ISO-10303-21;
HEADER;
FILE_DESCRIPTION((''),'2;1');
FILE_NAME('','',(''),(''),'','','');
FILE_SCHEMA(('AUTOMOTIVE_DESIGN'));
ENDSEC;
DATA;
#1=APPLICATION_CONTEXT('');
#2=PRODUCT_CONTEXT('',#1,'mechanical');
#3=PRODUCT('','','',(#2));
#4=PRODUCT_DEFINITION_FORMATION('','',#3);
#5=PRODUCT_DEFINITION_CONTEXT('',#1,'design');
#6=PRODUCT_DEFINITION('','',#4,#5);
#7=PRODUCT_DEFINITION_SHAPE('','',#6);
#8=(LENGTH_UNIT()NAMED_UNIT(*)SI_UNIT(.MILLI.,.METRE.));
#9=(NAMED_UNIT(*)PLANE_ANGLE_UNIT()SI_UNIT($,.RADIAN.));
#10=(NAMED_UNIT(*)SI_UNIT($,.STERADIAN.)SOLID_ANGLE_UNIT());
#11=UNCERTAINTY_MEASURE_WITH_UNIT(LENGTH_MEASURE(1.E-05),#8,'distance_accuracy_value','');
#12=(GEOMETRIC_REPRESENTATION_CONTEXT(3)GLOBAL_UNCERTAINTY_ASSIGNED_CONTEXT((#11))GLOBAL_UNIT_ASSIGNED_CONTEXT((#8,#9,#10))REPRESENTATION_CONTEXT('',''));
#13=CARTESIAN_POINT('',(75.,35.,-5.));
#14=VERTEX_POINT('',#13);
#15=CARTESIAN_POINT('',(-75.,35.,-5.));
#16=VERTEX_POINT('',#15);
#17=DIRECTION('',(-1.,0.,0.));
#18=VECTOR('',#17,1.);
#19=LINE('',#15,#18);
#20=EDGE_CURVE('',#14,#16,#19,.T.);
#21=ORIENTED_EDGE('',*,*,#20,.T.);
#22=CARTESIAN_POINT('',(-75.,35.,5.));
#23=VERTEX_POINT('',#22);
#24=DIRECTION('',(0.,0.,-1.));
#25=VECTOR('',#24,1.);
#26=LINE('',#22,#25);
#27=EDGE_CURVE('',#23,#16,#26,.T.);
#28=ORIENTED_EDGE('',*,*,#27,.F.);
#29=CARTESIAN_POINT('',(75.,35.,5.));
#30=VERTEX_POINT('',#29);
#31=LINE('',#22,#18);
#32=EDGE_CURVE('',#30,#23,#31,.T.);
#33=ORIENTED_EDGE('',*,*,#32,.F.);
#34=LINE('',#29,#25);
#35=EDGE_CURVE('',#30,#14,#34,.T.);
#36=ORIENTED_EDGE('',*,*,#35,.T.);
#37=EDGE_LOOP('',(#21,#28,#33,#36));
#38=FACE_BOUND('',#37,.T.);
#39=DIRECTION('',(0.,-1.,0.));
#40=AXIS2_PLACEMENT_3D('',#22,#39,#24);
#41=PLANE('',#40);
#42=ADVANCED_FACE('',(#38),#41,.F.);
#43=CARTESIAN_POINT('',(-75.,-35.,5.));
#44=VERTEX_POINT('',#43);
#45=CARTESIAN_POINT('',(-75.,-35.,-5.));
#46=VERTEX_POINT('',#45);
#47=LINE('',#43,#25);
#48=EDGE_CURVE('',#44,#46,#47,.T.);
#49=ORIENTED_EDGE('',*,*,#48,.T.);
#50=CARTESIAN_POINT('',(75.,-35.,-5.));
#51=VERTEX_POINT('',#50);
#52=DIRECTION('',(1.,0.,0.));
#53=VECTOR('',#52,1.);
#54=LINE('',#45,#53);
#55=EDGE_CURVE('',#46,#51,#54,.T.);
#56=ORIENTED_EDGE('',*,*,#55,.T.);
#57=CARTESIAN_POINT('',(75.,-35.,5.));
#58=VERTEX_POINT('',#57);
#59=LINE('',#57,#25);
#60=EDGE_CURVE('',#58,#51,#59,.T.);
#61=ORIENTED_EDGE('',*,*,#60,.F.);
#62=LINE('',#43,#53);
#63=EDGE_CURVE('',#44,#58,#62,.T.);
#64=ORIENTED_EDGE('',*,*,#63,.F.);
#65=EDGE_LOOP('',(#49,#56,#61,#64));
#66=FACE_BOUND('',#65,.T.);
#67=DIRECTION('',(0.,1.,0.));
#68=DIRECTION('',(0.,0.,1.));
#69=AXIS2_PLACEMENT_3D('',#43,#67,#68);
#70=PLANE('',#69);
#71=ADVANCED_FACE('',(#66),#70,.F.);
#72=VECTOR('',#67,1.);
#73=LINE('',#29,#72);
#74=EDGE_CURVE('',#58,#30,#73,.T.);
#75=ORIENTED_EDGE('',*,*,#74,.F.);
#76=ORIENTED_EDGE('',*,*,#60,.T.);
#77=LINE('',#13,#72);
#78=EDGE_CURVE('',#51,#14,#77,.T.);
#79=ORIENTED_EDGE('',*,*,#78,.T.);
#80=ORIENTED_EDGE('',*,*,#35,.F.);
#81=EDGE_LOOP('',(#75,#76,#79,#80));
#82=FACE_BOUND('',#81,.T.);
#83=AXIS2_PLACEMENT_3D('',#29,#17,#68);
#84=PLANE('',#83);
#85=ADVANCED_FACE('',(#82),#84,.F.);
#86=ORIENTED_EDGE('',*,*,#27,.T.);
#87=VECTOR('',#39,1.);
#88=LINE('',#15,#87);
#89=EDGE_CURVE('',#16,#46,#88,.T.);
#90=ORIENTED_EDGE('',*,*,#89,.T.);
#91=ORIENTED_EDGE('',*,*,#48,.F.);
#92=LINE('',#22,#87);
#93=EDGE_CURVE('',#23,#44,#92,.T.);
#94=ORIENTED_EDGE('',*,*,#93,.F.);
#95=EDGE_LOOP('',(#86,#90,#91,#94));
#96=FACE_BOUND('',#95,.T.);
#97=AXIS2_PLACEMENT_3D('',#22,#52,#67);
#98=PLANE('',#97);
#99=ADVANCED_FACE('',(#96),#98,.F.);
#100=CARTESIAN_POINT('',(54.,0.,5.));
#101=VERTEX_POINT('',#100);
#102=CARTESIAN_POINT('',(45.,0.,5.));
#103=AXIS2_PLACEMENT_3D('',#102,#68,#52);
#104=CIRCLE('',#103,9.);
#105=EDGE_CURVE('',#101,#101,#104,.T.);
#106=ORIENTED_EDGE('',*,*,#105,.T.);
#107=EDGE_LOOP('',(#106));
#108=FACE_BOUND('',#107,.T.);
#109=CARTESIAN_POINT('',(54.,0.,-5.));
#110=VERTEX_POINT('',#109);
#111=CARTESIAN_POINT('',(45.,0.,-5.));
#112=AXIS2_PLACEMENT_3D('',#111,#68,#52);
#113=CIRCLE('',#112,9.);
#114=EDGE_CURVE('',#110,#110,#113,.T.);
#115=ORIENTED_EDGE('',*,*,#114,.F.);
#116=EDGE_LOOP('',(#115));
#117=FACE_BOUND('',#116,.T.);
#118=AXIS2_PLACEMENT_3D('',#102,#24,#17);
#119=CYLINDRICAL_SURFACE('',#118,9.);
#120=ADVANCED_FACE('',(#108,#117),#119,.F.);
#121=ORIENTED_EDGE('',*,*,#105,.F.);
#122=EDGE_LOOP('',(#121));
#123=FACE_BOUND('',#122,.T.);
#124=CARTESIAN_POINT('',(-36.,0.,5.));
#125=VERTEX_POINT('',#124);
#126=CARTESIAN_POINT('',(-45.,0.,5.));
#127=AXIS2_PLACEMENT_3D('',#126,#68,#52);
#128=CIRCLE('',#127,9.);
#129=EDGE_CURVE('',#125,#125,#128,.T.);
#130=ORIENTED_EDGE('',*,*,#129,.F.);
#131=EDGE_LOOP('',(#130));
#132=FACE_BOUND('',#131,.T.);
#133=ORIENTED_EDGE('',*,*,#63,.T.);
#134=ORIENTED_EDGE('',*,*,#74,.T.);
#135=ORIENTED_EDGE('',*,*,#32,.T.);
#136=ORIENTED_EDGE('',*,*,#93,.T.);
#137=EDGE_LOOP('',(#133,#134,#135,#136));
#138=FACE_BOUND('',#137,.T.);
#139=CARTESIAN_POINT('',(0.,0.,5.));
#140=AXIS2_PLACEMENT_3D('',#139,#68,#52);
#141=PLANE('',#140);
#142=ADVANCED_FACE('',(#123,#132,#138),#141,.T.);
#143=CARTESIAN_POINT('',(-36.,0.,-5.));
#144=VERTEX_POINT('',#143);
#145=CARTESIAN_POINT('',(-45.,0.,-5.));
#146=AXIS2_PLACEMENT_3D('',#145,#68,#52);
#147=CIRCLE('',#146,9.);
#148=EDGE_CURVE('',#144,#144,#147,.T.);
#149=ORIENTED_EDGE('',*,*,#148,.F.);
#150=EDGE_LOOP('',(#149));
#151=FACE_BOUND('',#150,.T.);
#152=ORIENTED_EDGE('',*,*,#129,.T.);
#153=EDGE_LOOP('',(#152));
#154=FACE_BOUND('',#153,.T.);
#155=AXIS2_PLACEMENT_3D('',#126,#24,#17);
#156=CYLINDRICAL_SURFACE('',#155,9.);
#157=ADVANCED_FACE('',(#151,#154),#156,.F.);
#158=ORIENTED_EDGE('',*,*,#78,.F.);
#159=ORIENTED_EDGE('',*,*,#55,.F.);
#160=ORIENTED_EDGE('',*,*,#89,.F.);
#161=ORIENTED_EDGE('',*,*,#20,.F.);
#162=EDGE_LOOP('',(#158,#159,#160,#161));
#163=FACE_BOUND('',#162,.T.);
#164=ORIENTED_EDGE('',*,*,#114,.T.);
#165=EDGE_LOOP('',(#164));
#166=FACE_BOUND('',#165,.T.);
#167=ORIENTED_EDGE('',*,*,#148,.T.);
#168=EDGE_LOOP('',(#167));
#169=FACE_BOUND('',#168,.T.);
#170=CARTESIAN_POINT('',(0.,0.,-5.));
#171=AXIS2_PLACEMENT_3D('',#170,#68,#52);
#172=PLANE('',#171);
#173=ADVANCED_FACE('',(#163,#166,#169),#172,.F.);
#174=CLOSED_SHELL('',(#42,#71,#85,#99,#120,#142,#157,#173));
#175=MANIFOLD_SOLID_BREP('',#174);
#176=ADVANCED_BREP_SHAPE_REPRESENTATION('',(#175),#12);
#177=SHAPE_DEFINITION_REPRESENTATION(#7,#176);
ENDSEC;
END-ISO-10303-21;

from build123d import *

# Parameters (mm, degrees)
SKETCH1_W           = 150
SKETCH1_H           = 70
SKETCH1_R           = 9
BOSS_EXTRUDE1_DEPTH = 5


with BuildPart() as part:
    # Sketch1 → Boss-Extrude1 (new, symmetric)
    with BuildSketch(Plane.XY):
        Rectangle(SKETCH1_W, SKETCH1_H)
        with Locations((45, 0)):
            Circle(SKETCH1_R, mode=Mode.SUBTRACT)
        with Locations((-45, 0)):
            Circle(SKETCH1_R, mode=Mode.SUBTRACT)
    extrude(amount=BOSS_EXTRUDE1_DEPTH, both=True)


solid = part.part
